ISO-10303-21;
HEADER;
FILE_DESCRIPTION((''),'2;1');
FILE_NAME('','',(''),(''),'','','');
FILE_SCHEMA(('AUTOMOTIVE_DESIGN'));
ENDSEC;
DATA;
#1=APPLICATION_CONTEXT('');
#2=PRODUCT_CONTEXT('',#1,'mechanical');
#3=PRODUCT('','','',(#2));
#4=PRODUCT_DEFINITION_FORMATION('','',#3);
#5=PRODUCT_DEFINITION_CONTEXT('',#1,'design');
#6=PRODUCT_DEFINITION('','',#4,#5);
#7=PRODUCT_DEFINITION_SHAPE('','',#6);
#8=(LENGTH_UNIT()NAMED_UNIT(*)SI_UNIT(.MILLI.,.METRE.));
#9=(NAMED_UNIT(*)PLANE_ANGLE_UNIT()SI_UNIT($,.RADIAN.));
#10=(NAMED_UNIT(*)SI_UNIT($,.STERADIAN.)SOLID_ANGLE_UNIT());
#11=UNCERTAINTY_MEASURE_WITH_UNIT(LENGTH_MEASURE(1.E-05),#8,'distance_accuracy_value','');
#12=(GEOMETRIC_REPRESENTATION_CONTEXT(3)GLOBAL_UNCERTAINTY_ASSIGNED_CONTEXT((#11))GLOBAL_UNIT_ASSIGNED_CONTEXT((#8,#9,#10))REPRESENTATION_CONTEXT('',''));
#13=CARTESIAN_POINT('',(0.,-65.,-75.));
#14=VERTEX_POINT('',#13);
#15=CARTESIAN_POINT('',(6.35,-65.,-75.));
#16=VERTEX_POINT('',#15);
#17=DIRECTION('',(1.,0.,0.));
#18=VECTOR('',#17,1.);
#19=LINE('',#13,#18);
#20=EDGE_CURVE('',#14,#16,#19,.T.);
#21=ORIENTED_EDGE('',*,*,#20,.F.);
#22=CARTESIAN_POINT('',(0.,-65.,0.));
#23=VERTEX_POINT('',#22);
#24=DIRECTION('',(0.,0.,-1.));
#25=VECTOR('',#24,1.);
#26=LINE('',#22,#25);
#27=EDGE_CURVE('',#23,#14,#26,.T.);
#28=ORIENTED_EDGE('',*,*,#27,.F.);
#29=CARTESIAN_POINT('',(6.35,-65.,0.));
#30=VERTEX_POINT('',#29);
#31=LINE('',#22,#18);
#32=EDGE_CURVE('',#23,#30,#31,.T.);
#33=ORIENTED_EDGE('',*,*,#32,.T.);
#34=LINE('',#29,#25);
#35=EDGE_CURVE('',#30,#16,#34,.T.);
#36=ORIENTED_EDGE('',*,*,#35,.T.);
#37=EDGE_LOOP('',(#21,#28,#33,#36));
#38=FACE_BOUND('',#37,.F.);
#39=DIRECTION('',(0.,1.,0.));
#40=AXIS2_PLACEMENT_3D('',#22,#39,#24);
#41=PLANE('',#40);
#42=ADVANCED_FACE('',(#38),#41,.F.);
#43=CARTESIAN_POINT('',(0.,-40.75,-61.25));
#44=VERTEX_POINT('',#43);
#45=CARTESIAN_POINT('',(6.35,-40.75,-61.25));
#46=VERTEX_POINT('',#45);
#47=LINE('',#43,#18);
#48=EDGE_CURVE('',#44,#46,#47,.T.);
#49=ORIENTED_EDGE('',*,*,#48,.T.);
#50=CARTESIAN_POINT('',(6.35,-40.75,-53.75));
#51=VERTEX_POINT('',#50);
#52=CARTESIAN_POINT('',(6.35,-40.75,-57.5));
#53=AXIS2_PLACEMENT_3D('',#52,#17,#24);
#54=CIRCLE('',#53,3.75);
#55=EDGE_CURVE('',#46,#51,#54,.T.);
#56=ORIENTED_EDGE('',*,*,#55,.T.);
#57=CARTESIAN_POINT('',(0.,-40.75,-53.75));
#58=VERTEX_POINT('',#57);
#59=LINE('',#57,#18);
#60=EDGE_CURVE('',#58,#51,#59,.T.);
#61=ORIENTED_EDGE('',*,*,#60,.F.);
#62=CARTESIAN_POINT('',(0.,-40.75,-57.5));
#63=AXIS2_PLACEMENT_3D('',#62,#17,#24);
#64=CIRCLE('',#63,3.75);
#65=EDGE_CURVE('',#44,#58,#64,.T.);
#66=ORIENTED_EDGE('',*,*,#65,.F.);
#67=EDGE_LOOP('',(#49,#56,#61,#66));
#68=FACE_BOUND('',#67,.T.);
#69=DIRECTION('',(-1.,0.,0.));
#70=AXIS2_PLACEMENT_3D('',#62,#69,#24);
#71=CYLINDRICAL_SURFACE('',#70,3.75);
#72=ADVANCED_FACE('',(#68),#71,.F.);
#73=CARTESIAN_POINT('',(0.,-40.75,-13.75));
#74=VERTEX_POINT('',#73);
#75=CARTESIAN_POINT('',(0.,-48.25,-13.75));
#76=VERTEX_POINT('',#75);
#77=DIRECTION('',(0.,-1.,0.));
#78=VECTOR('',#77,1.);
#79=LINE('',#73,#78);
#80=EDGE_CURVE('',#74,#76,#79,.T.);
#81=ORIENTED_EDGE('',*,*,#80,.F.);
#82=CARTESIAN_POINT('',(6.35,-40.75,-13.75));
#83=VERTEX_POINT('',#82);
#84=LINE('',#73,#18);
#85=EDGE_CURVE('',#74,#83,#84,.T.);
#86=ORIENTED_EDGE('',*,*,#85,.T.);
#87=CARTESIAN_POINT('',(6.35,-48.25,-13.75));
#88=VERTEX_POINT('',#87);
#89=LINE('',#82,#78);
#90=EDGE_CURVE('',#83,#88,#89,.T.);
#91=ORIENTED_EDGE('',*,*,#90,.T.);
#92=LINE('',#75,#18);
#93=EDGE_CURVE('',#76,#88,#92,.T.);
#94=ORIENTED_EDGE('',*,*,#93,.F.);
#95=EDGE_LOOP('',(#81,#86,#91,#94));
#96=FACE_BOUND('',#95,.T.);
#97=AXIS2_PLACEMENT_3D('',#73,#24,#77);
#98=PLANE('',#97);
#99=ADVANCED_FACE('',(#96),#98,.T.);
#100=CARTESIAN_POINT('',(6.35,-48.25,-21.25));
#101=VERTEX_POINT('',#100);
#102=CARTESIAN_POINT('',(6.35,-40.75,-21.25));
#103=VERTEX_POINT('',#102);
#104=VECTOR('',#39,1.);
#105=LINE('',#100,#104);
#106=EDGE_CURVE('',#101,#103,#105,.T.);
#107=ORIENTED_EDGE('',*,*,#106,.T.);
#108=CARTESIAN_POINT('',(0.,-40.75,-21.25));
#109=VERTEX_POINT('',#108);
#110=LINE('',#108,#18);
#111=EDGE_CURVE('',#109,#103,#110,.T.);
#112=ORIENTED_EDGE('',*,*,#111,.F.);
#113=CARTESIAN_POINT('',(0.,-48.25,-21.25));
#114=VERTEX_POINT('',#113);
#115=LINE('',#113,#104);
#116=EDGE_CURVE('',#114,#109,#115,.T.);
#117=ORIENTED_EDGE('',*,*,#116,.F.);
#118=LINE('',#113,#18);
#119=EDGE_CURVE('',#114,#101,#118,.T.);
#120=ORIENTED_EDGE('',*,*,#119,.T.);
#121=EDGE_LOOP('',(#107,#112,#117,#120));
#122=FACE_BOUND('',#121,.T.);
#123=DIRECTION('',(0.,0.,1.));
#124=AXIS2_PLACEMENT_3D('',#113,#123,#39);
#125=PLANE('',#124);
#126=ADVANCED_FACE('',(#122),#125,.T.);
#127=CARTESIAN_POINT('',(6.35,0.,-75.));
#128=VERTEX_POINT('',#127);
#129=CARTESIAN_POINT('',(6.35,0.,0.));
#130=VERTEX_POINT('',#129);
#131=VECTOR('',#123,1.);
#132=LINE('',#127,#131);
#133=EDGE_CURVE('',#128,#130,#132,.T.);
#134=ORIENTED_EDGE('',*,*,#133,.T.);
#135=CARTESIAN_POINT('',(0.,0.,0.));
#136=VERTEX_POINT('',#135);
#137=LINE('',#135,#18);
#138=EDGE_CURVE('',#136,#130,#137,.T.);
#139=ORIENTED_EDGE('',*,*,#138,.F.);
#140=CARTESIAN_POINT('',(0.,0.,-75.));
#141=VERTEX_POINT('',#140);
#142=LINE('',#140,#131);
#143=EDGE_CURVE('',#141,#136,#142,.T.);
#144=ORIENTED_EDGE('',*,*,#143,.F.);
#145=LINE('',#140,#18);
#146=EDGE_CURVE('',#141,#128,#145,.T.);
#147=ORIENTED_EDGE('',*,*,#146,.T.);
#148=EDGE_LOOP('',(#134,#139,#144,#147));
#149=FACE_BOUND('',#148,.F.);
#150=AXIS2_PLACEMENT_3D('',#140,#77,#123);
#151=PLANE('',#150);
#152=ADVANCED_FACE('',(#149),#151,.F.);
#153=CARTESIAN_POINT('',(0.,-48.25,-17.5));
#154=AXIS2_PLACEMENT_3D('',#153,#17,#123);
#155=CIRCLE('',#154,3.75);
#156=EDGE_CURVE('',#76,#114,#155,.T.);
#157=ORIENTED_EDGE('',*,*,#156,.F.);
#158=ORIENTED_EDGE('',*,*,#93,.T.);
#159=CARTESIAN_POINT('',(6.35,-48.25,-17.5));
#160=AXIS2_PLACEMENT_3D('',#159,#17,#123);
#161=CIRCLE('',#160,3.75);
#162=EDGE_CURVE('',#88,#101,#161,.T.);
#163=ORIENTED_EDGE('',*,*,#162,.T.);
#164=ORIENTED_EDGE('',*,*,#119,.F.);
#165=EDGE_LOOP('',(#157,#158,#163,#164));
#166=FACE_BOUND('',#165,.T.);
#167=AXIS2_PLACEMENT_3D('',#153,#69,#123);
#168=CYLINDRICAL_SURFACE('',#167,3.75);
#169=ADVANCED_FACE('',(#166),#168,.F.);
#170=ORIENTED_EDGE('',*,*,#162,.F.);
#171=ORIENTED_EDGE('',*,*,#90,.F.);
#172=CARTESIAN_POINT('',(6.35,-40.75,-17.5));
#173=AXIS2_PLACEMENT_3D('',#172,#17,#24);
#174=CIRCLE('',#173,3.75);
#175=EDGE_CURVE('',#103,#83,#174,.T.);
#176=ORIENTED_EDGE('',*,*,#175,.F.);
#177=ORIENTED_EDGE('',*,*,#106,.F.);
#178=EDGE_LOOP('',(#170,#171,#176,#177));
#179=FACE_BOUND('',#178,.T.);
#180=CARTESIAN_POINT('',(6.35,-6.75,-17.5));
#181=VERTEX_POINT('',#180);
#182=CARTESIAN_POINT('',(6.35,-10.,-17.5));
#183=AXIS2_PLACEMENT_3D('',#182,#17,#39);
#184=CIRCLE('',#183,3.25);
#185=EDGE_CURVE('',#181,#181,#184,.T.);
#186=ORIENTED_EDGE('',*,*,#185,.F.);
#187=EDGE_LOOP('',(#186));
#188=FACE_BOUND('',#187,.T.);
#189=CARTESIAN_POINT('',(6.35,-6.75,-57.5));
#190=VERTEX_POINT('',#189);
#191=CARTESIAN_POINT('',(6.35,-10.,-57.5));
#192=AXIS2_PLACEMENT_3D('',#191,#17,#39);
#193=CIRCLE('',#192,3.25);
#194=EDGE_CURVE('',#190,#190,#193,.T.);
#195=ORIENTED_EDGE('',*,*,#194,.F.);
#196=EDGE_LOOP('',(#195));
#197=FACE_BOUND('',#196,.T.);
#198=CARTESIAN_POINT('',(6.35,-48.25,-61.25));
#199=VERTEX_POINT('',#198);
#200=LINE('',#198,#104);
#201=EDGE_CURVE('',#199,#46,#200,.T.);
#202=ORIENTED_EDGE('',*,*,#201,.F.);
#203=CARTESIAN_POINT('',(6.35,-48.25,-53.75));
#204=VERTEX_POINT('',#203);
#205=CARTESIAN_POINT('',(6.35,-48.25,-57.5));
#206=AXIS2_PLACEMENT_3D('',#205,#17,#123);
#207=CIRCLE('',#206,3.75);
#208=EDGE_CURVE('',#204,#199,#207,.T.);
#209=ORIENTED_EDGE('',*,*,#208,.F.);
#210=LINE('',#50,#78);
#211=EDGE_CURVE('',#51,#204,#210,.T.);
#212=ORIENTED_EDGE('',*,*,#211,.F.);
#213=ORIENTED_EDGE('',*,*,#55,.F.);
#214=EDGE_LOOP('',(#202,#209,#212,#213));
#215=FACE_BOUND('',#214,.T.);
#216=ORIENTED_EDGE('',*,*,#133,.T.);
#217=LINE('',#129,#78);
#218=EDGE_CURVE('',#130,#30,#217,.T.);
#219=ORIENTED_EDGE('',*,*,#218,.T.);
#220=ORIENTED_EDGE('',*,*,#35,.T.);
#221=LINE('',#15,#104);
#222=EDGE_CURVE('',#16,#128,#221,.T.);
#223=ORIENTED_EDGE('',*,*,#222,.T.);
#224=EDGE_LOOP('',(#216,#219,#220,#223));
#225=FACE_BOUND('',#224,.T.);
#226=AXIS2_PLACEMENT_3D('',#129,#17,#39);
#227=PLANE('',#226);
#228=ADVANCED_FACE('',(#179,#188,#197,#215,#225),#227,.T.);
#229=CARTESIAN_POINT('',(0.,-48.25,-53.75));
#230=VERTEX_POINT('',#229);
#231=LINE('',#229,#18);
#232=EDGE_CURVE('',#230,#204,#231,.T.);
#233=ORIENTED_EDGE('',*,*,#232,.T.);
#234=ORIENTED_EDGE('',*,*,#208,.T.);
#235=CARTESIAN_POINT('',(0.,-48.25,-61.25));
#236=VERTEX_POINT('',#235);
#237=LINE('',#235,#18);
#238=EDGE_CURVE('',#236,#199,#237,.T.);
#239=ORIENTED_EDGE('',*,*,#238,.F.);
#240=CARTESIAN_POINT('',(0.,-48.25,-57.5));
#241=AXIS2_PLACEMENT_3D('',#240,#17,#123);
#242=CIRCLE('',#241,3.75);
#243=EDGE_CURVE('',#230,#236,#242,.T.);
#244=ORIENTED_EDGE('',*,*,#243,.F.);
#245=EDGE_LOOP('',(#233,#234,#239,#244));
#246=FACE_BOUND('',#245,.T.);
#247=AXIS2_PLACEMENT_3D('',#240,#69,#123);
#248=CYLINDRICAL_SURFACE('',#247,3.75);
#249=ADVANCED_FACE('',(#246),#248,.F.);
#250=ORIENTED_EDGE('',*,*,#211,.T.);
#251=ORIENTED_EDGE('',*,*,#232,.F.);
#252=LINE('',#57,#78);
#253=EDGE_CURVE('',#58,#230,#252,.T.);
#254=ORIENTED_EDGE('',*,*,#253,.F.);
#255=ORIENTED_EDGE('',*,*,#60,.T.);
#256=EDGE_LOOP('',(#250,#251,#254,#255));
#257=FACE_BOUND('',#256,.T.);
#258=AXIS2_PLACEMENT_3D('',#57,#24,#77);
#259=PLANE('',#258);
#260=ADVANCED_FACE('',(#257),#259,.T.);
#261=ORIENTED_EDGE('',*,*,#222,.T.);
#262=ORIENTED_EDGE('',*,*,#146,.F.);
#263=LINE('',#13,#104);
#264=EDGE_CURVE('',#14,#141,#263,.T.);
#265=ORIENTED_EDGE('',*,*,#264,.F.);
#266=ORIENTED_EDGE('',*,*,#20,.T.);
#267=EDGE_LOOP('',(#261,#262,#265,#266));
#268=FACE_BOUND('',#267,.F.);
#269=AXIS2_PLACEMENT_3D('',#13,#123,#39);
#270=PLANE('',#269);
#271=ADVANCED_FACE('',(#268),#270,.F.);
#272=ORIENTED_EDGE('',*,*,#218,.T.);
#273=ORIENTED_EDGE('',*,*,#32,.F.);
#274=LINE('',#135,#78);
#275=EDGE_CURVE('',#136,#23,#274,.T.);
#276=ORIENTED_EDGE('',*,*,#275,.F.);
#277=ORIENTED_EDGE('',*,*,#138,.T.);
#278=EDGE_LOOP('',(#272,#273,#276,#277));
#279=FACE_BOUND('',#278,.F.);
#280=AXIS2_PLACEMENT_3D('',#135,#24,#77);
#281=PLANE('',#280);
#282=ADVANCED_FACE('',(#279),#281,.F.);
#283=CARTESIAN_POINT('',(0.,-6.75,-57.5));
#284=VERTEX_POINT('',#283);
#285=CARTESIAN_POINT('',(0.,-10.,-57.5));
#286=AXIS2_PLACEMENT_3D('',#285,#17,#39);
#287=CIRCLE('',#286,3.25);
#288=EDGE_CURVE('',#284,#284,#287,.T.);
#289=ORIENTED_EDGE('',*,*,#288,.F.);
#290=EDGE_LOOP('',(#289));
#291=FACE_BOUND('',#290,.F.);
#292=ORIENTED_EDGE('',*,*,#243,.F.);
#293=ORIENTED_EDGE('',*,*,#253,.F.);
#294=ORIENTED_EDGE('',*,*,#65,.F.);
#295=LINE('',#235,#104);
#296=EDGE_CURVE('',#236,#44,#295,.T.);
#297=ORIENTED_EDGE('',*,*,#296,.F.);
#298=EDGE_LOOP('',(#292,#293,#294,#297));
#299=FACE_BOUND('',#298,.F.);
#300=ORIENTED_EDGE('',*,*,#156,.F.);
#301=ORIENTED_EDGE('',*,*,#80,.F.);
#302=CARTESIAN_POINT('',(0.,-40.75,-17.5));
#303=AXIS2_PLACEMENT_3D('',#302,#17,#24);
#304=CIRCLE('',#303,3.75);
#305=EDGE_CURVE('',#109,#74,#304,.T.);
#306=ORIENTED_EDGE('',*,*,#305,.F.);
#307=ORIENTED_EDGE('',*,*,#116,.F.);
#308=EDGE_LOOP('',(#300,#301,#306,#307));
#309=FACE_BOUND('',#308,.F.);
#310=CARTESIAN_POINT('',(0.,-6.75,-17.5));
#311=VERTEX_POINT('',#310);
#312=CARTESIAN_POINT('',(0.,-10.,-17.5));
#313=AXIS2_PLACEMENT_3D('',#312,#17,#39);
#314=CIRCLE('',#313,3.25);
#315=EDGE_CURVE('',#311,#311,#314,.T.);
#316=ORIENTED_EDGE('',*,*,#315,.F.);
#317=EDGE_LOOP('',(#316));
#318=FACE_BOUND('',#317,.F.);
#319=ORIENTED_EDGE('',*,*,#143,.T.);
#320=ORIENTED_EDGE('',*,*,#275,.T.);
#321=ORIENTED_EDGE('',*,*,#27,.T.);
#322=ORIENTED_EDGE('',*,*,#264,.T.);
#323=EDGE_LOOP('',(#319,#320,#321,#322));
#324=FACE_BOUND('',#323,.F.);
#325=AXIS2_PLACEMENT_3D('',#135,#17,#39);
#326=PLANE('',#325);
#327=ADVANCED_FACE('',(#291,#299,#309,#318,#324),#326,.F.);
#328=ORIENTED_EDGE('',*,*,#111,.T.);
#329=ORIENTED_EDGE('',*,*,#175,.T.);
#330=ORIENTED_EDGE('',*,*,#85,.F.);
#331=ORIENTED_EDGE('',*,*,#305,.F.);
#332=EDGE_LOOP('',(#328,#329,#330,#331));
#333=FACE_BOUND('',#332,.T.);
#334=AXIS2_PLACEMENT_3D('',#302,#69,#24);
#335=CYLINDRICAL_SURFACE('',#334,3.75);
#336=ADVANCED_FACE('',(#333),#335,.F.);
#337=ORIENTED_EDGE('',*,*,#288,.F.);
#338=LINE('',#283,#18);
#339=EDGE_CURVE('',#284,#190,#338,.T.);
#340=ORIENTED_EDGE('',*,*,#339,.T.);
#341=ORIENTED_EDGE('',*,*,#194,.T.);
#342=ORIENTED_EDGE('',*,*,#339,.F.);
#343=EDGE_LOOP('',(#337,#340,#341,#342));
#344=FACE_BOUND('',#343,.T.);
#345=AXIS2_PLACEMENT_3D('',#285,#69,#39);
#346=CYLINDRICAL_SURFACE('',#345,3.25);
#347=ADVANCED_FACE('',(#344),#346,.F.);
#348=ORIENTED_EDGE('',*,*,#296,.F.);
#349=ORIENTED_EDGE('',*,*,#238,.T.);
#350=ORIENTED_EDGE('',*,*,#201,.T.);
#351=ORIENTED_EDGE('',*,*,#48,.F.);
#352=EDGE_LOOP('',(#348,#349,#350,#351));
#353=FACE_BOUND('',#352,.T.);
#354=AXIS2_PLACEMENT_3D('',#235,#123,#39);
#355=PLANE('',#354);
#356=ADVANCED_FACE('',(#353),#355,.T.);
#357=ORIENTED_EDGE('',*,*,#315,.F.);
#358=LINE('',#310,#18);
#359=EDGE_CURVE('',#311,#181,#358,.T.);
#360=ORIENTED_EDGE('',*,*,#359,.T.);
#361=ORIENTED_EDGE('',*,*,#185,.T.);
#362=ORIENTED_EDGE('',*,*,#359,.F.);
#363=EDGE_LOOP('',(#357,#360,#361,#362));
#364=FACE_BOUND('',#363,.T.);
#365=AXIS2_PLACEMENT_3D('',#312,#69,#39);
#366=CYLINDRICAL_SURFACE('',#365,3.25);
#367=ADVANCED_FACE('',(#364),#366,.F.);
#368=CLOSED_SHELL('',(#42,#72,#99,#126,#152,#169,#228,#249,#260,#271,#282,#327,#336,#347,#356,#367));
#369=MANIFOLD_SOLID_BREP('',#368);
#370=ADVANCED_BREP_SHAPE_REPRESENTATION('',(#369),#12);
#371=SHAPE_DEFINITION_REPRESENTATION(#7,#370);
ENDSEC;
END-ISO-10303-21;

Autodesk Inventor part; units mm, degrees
ref_plane "YZ Plane" through (0, 0, 0) normal (1, 0, 0) x (0, 1, 0)
ref_plane "XZ Plane" through (0, 0, 0) normal (0, 1, 0) x (-1, 0, 0)
ref_plane "XY Plane" through (0, 0, 0) normal (0, 0, 1) x (1, 0, 0)
sketch "Sketch1" plane through (0, 0, 0) normal (1, 0, 0) x (0, 1, 0)
  line L0 (0, 0) -> (-65, 0)
  line L1 (-65, 0) -> (-65, -75)
  line L2 (-65, -75) -> (0, -75)
  line L3 (0, -75) -> (0, 0)
  line L4 (-40.75, -13.75) -> (-48.25, -13.75)
  line L5 (-48.25, -13.75) -> (-48.25, -21.25)
  line L6 (-48.25, -21.25) -> (-40.75, -21.25)
  line L7 (-40.75, -21.25) -> (-40.75, -13.75)
  arc A0 (-40.75, -21.25) -> (-40.75, -13.75) centre (-40.75, -17.5) ccw
  arc A1 (-48.25, -13.75) -> (-48.25, -21.25) centre (-48.25, -17.5) ccw
  line L8 (-40.75, -53.75) -> (-48.25, -53.75)
  line L9 (-48.25, -53.75) -> (-48.25, -61.25)
  line L10 (-48.25, -61.25) -> (-40.75, -61.25)
  line L11 (-40.75, -61.25) -> (-40.75, -53.75)
  arc A2 (-40.75, -61.25) -> (-40.75, -53.75) centre (-40.75, -57.5) ccw
  arc A3 (-48.25, -53.75) -> (-48.25, -61.25) centre (-48.25, -57.5) ccw
  circle A4 centre (-10, -17.5) radius 3.25
  circle A5 centre (-10, -57.5) radius 3.25
  dimension "d1" = 75
  dimension "d4" = 7.5
  dimension "d5" = 7.5
  dimension "d8" = 13.75
  dimension "d10" = 40
  dimension "d15" = 10
  dimension "d16" = 6.5
  dimension "d17" = 6.5
  dimension "d18" = 30.75
  dimension "d19" = 65
  dimension "d20" = 7.5
extrude "Extrusion1" add sketch "Sketch1" along normal blind 6.35
equation "\"d5\" = d4"
equation "\"d8\" = -0.5 * d4 + 0.5 * d1 - 0.5 * d10"
equation "\"d17\" = d16"
properties part number "mounting bracket 1"
